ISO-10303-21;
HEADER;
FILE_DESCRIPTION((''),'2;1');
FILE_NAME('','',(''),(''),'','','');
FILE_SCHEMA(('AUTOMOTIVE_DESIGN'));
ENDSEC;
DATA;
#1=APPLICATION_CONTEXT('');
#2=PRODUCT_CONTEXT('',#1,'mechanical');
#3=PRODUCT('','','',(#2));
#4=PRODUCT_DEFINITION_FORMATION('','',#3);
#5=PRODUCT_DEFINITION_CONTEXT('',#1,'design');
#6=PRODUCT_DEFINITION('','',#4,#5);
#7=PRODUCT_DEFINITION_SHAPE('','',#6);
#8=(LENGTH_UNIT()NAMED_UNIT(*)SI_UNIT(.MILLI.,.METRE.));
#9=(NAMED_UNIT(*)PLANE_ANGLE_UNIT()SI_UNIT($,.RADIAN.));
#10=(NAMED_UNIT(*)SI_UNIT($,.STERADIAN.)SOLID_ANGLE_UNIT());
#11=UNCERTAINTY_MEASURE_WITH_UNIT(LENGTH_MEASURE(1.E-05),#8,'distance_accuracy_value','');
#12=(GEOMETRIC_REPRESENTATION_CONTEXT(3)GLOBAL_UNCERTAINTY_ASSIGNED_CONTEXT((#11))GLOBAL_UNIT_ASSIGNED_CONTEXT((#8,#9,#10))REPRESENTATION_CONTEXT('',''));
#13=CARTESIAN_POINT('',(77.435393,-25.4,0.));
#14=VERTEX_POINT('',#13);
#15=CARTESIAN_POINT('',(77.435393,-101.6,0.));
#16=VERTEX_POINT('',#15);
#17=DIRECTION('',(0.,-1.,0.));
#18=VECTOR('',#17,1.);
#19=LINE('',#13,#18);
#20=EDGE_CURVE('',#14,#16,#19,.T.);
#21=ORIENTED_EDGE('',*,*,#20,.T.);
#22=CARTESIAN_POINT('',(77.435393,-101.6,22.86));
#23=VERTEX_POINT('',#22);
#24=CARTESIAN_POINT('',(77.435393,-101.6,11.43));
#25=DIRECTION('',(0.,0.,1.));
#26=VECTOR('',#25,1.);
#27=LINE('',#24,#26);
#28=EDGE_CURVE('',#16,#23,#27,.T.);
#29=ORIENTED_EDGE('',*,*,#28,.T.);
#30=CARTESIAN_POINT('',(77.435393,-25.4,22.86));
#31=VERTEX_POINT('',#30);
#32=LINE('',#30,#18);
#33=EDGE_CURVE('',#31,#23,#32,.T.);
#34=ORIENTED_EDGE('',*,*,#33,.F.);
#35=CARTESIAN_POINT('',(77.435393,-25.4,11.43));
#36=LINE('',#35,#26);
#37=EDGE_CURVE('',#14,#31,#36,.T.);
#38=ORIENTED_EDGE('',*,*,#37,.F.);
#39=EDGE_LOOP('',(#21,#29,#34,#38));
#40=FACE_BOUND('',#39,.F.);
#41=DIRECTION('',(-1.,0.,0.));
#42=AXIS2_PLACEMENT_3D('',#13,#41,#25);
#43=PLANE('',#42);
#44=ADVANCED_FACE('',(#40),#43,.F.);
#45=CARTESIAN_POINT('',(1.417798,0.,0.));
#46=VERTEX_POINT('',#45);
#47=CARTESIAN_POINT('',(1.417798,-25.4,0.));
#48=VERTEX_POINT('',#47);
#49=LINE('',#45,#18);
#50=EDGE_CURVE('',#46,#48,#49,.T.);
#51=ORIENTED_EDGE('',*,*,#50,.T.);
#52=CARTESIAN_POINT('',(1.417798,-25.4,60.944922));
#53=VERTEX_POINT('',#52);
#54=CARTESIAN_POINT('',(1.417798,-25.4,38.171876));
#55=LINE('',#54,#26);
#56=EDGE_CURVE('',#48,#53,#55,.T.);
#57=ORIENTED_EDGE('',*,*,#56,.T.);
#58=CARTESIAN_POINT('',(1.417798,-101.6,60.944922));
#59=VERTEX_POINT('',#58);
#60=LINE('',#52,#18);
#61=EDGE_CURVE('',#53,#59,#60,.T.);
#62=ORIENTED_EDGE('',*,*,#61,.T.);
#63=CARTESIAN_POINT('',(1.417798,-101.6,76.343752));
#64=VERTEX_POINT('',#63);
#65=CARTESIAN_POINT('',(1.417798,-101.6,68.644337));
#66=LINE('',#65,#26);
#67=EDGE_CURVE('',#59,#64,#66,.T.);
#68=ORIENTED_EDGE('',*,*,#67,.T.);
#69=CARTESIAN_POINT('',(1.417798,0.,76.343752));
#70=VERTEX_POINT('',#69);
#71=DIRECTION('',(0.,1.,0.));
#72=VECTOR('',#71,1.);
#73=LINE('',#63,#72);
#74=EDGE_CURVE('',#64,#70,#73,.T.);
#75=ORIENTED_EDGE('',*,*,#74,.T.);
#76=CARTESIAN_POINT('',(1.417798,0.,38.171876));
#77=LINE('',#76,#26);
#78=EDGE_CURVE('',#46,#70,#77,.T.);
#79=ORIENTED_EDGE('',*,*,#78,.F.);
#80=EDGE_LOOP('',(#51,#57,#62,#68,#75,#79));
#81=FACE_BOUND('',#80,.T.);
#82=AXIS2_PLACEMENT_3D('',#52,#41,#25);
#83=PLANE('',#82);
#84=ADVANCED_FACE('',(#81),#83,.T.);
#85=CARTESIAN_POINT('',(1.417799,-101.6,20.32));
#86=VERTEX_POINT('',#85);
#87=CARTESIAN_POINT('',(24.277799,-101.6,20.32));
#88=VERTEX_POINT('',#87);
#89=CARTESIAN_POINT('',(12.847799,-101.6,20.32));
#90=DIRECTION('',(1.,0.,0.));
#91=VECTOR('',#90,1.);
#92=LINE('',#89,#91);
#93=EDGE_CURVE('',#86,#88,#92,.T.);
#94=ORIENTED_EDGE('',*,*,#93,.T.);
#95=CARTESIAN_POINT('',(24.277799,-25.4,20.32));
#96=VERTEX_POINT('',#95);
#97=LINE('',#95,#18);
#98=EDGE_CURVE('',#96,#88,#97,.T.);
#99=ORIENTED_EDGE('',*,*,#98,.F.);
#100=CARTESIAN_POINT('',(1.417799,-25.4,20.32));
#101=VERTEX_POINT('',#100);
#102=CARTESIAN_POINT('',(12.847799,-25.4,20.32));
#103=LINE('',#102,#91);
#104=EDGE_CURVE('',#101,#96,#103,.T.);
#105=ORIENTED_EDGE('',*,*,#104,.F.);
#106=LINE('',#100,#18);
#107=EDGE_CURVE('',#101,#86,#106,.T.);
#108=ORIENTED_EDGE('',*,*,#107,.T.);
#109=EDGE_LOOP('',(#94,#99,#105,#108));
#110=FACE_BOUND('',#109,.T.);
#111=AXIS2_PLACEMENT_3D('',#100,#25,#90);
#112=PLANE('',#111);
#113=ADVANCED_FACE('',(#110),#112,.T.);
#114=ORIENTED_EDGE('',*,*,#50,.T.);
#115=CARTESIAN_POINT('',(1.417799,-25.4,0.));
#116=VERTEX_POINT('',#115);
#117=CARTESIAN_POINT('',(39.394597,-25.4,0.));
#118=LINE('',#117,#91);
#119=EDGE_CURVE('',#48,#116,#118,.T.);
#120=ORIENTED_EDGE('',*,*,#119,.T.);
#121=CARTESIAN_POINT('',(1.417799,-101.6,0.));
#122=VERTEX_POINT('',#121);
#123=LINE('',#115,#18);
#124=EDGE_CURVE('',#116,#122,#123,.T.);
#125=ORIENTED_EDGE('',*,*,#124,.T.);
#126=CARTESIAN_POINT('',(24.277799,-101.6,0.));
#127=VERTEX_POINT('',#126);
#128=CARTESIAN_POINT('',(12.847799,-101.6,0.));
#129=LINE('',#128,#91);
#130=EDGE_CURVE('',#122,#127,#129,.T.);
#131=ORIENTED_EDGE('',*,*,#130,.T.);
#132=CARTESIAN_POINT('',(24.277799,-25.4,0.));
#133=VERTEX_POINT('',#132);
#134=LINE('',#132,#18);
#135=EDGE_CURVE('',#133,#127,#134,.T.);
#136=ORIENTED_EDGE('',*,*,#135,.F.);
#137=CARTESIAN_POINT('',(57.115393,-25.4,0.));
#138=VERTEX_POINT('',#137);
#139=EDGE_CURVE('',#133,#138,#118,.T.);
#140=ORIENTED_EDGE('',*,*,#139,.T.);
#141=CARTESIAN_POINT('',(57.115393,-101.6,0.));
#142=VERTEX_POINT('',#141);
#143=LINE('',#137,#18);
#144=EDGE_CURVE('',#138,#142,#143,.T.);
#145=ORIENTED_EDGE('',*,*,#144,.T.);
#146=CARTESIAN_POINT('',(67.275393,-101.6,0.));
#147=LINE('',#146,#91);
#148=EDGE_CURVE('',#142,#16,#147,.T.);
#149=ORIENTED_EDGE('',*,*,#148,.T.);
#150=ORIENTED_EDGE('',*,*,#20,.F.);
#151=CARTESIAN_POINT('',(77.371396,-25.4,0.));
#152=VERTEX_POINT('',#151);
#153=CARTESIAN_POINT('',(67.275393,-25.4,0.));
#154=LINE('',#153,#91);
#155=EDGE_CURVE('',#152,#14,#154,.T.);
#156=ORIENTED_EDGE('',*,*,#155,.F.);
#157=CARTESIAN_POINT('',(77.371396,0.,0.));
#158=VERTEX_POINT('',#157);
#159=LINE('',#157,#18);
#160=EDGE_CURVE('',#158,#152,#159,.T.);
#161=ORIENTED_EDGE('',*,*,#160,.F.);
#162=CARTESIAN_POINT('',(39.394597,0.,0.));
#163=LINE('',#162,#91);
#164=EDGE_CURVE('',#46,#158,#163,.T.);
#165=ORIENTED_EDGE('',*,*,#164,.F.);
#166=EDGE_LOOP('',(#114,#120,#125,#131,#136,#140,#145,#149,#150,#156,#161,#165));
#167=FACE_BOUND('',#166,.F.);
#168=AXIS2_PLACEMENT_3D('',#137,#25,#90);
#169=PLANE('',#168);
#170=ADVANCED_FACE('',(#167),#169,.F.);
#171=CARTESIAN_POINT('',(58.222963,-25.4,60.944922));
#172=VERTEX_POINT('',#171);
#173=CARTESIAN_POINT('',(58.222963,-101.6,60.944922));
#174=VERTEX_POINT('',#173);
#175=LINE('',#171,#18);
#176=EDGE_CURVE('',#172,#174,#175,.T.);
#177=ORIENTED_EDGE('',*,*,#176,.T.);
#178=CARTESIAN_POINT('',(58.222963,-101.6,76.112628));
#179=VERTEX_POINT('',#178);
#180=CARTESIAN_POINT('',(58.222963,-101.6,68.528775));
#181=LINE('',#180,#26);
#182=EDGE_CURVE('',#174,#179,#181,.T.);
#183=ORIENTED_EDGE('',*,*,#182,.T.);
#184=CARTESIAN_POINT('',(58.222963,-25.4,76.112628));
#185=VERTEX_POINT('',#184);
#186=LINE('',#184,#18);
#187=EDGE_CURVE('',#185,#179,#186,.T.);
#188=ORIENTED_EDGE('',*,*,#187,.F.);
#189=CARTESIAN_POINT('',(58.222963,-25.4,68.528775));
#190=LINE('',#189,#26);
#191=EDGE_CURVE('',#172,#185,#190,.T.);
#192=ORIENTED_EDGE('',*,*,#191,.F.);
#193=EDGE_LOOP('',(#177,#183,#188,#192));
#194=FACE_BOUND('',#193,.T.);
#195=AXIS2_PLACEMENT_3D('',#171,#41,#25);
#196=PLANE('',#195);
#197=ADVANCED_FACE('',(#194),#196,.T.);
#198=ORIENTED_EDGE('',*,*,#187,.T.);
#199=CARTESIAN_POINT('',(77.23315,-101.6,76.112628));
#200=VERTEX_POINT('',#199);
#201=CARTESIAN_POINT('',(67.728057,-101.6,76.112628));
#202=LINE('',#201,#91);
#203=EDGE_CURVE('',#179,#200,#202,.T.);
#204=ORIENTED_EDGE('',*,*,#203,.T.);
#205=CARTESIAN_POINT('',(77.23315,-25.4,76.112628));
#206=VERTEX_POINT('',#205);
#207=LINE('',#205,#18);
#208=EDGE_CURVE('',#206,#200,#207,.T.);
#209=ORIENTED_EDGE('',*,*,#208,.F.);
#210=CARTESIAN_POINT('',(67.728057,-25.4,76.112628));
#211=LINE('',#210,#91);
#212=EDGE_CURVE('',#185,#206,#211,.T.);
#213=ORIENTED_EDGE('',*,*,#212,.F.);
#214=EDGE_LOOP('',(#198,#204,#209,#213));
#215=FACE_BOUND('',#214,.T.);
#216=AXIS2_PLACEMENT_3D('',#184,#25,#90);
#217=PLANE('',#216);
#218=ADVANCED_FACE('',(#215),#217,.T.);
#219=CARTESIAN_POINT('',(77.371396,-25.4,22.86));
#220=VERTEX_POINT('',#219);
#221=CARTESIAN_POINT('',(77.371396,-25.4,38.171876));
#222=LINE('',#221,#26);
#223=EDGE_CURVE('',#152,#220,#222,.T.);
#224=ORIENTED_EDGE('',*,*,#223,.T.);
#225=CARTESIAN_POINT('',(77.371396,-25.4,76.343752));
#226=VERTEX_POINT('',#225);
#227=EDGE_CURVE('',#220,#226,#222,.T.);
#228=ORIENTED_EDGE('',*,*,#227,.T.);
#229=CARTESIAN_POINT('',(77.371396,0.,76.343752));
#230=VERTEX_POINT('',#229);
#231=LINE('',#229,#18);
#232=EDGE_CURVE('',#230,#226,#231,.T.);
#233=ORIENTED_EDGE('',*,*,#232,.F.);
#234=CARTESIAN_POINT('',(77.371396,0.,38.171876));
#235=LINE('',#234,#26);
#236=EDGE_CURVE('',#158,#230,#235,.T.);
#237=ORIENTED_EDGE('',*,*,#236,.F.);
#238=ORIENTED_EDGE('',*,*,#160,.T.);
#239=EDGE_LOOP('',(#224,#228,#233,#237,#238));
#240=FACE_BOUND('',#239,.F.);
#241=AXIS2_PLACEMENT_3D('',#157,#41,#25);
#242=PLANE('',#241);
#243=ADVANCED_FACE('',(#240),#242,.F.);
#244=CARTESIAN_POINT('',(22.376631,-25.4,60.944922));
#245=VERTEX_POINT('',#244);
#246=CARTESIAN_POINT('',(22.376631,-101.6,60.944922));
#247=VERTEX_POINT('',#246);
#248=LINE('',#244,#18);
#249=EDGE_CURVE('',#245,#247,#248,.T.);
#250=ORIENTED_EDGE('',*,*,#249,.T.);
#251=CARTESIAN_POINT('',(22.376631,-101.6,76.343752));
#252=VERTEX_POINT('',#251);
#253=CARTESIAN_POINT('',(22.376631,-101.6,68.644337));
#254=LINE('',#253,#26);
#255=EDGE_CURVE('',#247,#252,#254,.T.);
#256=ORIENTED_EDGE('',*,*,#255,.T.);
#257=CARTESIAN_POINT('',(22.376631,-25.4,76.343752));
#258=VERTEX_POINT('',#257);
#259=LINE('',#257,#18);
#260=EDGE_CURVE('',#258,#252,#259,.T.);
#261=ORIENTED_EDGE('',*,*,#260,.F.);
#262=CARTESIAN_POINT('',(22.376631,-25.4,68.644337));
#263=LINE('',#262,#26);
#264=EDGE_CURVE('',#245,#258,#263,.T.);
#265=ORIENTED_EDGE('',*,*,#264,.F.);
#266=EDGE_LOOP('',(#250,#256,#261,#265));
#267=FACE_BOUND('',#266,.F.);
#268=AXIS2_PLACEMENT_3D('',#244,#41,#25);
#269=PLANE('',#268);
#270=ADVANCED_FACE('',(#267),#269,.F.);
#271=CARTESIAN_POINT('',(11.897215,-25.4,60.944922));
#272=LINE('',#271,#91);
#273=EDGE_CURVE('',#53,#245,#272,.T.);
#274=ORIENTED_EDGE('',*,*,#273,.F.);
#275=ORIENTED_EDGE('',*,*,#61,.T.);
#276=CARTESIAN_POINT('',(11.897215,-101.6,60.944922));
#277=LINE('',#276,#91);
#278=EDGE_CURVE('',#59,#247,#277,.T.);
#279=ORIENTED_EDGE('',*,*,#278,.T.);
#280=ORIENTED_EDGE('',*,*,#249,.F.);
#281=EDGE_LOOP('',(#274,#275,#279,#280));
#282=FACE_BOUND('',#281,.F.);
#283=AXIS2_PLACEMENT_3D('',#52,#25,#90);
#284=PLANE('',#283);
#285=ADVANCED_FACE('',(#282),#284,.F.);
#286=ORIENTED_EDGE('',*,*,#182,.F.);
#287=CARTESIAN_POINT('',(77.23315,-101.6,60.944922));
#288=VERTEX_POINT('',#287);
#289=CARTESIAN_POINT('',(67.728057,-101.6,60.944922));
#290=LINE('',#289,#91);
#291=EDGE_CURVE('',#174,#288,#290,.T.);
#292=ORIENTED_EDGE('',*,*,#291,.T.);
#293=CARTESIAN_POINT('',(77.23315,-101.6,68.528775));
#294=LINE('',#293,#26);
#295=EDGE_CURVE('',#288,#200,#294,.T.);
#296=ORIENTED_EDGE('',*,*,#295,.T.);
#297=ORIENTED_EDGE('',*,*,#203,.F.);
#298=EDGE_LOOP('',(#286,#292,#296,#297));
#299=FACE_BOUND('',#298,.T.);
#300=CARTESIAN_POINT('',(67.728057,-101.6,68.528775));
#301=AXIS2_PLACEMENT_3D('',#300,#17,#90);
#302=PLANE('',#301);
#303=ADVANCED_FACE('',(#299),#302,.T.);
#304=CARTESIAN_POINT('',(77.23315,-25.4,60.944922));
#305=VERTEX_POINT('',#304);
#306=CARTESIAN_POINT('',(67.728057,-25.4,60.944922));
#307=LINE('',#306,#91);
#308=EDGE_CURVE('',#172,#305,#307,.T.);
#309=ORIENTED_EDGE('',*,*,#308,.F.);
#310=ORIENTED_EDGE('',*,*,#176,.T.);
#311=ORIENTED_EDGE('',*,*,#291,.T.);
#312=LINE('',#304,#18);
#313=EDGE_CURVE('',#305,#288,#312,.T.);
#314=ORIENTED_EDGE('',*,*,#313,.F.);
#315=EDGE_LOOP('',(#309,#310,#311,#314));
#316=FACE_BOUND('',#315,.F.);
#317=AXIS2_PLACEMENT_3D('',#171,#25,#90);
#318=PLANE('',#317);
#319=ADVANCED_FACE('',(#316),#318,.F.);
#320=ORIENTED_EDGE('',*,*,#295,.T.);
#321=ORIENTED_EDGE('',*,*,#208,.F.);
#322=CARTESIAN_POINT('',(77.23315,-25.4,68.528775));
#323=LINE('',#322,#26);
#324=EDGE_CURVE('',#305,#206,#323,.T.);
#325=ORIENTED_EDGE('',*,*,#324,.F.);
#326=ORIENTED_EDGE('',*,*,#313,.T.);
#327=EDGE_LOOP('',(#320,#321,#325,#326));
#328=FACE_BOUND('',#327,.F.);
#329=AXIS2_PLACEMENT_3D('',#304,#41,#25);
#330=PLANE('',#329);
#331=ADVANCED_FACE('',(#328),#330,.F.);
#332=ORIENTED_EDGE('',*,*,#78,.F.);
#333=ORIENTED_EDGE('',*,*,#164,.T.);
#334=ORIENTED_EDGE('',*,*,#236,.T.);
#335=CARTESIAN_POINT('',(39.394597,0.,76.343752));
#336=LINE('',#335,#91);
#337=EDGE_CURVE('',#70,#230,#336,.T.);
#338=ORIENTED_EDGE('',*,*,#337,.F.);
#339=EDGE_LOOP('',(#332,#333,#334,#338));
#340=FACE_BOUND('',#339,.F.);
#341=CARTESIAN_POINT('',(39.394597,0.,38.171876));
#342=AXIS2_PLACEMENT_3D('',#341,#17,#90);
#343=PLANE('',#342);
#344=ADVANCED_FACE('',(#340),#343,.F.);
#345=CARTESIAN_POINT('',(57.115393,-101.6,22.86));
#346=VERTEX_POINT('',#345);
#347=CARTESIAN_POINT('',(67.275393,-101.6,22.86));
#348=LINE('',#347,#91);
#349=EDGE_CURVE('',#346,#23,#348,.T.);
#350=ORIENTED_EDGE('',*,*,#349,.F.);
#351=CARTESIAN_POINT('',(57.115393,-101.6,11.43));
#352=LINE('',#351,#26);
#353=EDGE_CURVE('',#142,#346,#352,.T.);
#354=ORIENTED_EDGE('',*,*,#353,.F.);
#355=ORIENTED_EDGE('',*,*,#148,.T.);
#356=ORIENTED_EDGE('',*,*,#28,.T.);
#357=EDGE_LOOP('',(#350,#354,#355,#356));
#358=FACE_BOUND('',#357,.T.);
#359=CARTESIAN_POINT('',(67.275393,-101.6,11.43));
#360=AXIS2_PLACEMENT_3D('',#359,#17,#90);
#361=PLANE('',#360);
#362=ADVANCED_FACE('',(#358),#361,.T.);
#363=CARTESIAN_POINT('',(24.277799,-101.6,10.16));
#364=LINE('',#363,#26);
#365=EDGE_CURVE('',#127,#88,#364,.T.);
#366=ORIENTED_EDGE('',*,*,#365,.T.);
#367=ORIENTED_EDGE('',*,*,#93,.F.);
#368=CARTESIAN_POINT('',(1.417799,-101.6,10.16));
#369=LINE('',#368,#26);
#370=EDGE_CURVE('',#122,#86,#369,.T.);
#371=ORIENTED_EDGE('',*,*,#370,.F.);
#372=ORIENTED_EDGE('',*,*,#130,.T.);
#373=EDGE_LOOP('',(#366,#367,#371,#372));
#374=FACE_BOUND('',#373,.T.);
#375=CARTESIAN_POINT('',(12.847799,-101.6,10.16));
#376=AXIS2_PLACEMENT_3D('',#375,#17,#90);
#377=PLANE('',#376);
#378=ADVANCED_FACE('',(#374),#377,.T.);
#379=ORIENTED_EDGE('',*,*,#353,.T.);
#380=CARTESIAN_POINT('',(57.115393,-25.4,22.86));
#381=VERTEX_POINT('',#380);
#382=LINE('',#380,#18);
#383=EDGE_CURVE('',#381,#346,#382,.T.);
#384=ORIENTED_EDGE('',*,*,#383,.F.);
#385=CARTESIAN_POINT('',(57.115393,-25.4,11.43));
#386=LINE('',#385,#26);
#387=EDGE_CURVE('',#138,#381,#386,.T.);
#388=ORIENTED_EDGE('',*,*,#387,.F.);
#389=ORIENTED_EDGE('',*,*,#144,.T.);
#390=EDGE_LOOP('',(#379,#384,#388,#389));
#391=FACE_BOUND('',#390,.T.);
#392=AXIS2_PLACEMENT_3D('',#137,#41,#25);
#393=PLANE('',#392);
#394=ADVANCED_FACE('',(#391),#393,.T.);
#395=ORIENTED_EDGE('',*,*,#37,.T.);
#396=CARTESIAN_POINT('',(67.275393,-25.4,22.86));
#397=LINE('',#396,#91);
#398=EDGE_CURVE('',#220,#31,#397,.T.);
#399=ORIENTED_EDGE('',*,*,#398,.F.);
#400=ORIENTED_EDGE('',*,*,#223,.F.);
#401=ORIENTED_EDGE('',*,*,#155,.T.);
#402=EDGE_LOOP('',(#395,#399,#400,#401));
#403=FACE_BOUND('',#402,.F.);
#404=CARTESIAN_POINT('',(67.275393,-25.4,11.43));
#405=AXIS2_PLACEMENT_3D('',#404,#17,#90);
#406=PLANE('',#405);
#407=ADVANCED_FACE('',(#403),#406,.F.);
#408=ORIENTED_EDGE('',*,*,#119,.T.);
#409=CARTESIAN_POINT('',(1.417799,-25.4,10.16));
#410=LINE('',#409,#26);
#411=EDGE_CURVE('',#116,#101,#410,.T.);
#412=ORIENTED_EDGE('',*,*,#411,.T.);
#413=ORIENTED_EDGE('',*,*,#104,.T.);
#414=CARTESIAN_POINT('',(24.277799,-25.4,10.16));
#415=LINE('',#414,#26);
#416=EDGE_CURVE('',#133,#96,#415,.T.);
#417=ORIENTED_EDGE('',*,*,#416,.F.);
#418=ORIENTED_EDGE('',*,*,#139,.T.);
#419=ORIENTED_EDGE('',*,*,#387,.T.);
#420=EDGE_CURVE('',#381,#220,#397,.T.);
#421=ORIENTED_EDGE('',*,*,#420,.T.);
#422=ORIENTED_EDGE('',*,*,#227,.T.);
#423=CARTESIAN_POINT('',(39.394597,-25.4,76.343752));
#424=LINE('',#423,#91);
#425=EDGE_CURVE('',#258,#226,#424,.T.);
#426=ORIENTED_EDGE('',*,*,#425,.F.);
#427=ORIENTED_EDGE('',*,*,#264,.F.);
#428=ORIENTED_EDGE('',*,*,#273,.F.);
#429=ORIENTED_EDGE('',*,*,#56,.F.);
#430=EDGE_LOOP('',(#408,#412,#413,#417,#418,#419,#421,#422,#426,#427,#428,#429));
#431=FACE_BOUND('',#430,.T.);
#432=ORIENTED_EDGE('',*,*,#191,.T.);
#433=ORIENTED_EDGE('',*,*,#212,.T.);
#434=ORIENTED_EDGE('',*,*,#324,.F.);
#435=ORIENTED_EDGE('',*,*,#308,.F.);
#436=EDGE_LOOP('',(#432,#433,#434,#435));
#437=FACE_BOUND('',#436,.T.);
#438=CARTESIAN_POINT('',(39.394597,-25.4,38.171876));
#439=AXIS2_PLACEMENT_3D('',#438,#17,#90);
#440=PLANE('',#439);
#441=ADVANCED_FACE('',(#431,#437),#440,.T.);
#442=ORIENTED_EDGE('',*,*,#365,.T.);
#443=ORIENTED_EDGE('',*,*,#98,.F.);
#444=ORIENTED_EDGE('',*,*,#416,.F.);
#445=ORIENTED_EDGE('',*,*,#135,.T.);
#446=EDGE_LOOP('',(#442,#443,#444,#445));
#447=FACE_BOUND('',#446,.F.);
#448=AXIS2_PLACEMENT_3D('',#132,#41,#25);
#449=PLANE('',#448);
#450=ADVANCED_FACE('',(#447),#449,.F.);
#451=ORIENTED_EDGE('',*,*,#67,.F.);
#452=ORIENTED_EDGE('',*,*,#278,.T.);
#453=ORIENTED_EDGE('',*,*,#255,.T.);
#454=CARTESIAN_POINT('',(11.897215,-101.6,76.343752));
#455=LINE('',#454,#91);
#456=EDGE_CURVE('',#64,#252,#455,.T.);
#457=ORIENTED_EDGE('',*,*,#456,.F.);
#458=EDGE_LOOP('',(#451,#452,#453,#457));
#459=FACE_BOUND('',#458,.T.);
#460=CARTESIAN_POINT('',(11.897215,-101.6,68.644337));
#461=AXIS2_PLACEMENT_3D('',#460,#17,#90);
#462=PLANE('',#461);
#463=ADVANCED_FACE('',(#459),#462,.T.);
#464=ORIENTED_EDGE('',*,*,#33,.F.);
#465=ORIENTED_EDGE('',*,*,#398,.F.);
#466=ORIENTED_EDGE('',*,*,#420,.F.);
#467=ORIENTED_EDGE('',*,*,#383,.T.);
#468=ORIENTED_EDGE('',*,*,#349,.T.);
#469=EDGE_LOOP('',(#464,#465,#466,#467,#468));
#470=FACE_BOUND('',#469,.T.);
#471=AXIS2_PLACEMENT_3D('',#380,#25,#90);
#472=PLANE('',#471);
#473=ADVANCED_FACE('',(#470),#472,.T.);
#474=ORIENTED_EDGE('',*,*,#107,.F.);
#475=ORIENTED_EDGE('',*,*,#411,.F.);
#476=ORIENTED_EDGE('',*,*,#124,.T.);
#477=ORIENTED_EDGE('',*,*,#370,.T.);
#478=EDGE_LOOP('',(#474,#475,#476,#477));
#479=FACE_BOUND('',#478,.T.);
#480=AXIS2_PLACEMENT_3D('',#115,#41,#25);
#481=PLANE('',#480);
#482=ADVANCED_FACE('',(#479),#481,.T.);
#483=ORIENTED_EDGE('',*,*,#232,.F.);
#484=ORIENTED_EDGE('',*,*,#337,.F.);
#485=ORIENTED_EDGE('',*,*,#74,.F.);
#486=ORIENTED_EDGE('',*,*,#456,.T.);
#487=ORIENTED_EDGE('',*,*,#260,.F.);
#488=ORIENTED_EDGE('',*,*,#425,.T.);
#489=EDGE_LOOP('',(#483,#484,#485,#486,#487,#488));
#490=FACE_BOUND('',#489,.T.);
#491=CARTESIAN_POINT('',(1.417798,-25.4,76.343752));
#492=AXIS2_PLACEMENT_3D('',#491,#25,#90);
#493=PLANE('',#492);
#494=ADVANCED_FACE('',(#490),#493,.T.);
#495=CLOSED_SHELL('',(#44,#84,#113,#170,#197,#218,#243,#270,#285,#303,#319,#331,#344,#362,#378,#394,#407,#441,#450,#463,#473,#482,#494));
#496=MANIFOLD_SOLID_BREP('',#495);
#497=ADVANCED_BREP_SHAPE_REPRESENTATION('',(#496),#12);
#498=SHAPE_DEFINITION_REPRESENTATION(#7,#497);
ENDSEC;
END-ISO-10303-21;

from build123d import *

# Parameters (mm, degrees)
F0_W     = 75.953597
F0_H     = 76.343752
F1_DEPTH = 25.4
F2_W     = 22.86
F2_H     = 20.32
F2_W_2   = 20.958833
F2_H_2   = 15.39883
F3_DEPTH = 76.2
F5_W     = 20.32
F5_H     = 22.86
F5_W_2   = 19.010187
F5_H_2   = 15.167706
F6_DEPTH = 76.2


with BuildPart() as f1:
    # F0 (on Front) → F1 (new body)
    with BuildSketch(Plane.XZ):
        with Locations((39.394597, 38.171876)):
            Rectangle(F0_W, F0_H)
    extrude(amount=F1_DEPTH)

    # F2 (on face) → F3 (join)
    with BuildSketch(Plane.XZ.offset(25.4)):
        with Locations((12.847799, 10.16)):
            Rectangle(F2_W, F2_H)
        with Locations((11.897215, 68.644337)):
            Rectangle(F2_W_2, F2_H_2)
    extrude(amount=F3_DEPTH)

    # F5 (on face) → F6 (join)
    with BuildSketch(Plane.XZ.offset(25.4)):
        with Locations((67.275393, 11.43)):
            Rectangle(F5_W, F5_H)
        with Locations((67.728057, 68.528775)):
            Rectangle(F5_W_2, F5_H_2)
    extrude(amount=F6_DEPTH)


solid = f1.part
